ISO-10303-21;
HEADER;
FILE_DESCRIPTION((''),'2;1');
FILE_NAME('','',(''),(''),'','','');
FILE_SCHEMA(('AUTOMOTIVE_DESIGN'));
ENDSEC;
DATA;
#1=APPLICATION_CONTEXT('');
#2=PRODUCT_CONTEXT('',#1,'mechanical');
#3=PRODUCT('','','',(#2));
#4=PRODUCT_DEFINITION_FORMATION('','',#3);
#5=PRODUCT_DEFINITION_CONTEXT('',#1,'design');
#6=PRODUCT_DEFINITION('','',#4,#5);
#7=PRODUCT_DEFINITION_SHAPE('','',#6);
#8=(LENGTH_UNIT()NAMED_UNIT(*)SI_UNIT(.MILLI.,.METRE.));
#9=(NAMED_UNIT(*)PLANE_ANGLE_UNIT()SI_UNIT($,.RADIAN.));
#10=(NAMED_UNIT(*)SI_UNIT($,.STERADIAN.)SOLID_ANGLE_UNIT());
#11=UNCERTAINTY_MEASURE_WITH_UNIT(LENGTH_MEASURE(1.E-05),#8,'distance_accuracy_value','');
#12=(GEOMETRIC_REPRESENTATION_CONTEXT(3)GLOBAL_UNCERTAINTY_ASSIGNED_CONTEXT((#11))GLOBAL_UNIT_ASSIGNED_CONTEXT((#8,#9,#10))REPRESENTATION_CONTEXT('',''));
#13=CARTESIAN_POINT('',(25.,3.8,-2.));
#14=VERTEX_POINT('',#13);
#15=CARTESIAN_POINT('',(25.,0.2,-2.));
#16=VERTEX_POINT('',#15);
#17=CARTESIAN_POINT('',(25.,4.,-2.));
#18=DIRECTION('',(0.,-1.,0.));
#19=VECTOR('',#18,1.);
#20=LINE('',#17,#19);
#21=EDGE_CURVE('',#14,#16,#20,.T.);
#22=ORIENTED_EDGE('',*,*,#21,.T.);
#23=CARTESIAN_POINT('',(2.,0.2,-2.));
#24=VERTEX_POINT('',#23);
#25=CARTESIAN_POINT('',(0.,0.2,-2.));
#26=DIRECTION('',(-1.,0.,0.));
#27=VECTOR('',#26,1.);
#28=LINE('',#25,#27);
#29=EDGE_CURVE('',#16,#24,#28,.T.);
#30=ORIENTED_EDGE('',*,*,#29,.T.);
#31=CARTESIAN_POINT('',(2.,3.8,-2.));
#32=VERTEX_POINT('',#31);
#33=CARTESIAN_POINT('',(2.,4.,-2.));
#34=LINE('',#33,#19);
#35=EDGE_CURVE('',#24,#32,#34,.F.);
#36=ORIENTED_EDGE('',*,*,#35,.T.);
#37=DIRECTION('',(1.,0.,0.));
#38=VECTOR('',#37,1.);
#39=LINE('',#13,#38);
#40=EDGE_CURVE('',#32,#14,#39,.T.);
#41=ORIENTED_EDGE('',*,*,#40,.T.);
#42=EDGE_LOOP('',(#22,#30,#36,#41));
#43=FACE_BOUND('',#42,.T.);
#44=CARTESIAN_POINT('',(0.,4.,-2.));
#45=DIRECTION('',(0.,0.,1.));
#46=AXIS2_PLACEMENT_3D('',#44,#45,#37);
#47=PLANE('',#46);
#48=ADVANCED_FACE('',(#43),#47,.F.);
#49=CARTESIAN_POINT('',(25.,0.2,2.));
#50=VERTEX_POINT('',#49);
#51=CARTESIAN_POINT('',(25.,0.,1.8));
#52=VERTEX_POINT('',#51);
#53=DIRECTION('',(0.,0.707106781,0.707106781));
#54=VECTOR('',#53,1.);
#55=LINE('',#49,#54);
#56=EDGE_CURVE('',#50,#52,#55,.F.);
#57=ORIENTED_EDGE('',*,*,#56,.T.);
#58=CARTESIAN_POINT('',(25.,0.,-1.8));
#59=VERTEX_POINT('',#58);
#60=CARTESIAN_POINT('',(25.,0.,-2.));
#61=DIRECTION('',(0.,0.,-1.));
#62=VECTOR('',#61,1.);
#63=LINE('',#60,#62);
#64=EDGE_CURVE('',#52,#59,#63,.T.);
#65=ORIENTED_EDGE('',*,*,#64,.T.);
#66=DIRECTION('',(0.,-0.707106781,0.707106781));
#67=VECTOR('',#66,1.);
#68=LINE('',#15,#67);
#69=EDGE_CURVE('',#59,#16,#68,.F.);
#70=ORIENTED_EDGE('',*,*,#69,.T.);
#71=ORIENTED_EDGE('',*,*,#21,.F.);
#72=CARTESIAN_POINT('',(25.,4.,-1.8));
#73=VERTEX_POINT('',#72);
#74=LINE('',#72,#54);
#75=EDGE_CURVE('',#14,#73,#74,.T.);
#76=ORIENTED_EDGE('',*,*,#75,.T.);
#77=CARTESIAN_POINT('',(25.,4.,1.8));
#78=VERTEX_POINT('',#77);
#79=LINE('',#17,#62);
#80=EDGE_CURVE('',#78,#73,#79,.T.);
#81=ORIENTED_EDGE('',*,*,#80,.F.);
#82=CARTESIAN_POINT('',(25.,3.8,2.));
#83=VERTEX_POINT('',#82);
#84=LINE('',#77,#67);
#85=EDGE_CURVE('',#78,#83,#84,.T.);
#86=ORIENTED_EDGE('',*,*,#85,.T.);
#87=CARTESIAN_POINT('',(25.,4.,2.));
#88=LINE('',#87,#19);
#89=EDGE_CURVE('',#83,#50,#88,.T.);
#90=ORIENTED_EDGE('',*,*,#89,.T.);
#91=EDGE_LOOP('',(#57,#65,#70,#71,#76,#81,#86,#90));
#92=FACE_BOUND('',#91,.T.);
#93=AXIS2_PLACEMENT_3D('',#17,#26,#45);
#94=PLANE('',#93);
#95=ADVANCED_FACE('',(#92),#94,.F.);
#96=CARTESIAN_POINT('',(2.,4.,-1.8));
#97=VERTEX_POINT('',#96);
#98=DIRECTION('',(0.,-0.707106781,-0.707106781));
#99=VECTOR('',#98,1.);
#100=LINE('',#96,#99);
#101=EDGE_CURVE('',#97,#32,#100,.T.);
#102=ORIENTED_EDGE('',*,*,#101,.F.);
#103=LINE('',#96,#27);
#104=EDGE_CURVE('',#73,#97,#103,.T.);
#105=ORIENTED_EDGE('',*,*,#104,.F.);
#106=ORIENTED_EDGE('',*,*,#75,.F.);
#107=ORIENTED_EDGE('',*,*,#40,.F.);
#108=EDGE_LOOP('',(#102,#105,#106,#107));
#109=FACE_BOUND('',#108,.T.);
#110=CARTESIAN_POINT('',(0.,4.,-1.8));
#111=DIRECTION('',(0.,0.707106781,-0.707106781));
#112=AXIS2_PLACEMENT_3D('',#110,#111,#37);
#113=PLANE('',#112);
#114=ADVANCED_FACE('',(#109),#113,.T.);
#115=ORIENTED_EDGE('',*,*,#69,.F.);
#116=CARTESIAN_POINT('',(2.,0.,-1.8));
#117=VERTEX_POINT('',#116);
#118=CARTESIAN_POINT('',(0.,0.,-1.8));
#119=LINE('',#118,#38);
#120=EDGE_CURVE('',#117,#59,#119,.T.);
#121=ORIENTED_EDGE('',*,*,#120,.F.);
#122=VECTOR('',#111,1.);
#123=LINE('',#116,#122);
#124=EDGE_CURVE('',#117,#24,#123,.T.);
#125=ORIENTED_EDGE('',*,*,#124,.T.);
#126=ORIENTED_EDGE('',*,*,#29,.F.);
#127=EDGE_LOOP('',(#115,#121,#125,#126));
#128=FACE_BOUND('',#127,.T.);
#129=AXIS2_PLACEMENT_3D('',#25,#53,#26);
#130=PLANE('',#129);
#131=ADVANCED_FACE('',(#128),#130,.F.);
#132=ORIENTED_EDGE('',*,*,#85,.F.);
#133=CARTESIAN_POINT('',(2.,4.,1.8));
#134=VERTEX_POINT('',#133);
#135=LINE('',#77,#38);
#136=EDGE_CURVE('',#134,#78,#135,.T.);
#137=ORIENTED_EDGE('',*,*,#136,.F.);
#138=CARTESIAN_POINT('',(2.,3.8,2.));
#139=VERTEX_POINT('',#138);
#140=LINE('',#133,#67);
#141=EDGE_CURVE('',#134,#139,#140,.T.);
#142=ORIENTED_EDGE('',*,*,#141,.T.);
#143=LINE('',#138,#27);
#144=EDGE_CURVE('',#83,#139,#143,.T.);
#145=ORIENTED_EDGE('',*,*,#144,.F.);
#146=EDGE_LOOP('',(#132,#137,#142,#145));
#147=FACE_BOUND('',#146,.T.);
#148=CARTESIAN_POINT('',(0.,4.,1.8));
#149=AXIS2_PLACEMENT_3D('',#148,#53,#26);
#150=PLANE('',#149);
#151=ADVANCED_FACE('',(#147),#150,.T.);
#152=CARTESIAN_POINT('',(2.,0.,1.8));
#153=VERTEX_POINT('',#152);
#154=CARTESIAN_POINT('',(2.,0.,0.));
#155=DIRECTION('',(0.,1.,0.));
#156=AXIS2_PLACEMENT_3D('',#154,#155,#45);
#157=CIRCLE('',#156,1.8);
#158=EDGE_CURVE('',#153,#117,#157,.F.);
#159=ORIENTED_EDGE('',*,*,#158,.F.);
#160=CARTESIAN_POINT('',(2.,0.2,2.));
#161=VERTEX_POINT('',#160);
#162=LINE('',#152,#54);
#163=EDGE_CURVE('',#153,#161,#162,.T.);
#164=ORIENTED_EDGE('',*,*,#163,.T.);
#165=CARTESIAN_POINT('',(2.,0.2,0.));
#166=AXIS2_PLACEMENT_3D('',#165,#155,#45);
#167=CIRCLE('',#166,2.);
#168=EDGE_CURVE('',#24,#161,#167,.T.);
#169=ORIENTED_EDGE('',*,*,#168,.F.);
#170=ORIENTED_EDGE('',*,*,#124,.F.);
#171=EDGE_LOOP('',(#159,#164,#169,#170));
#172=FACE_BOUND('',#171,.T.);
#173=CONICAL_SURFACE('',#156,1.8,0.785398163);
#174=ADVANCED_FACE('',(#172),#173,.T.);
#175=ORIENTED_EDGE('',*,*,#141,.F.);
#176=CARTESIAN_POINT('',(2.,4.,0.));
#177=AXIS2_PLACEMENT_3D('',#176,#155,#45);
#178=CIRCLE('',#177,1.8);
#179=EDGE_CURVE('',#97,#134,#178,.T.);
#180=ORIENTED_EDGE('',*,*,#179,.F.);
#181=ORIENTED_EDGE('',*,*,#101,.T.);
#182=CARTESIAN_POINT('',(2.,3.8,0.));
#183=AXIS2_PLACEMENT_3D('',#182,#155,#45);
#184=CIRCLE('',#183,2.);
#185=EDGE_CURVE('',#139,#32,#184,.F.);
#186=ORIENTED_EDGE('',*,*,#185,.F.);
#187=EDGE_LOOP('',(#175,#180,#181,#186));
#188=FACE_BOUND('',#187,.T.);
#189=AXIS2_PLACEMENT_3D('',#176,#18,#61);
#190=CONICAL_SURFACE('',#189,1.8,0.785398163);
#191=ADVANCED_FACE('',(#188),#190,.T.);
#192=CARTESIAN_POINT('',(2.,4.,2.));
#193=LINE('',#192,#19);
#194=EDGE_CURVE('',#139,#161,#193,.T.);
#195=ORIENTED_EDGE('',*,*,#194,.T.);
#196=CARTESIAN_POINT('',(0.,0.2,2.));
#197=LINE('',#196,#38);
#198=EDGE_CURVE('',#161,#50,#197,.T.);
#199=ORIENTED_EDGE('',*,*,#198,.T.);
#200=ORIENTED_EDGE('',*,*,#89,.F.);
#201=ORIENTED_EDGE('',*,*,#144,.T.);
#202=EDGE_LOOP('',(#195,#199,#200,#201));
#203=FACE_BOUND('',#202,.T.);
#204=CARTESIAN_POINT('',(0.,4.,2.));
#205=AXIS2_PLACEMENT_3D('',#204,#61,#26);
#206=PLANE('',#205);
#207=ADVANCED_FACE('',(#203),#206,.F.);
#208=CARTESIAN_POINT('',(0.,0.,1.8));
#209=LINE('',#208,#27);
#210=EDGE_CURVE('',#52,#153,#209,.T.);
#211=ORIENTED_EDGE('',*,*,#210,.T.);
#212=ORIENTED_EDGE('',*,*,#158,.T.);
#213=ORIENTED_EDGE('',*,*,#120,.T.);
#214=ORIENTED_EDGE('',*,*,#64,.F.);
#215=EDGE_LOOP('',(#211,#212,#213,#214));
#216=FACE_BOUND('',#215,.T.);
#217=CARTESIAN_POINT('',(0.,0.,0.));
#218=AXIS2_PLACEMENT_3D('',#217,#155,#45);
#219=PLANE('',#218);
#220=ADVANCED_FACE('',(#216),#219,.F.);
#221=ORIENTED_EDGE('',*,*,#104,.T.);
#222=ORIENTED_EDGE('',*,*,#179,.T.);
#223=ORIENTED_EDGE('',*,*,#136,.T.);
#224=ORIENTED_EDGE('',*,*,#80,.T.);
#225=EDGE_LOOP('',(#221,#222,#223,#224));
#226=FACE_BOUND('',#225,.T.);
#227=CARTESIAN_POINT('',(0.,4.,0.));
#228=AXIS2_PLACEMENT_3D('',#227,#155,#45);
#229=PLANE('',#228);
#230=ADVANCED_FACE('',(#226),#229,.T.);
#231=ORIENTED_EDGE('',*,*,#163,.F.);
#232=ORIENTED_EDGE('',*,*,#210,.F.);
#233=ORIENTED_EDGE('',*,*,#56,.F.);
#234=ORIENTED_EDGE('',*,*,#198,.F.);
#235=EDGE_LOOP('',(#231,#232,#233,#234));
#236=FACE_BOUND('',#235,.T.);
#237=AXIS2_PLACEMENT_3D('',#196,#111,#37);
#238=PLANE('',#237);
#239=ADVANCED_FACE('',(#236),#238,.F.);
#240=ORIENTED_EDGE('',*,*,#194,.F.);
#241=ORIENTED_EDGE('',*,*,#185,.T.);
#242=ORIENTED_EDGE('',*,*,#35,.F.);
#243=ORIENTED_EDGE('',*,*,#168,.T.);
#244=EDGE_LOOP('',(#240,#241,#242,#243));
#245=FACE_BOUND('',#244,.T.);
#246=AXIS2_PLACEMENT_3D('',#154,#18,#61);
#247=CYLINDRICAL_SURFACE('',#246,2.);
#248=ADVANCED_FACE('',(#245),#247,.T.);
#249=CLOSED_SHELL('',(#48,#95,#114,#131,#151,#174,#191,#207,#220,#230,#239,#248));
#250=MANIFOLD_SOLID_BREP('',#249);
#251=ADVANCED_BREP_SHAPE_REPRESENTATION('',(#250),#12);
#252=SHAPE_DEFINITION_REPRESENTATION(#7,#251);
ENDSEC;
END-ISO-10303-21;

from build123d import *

# Parameters (mm, degrees)
SKETCH1_W           = 25
SKETCH1_H           = 4
BOSS_EXTRUDE1_DEPTH = 4
FILLET1_RADIUS      = 2
FILLET1_LENGTH      = 4
CHAMFER1_SIZE       = 0.2


with BuildPart() as part:
    # Sketch1 → Boss-Extrude1 (new body)
    with BuildSketch(Plane(origin=(0, 0, 0), x_dir=(1, 0, 0), z_dir=(0, 1, 0))):
        with Locations((12.5, 0)):
            Rectangle(SKETCH1_W, SKETCH1_H)
    extrude(amount=BOSS_EXTRUDE1_DEPTH)

    # Fillet1: full round fillet: the end face becomes a half cylinder, R = half its width
    fillet1_face = Plane((0, 2, 0), x_dir=(0, -1, 0), z_dir=(-1, 0, 0))  # on the end face: x along it, z out of the body
    fillet1_slab = fillet1_face.offset(-FILLET1_RADIUS / 2) * Box(FILLET1_LENGTH, 2 * FILLET1_RADIUS, FILLET1_RADIUS, mode=Mode.PRIVATE)  # the body's end, R deep
    fillet1_round = Plane((2, 2, 0), x_dir=(-1, 0, 0), z_dir=(0, -1, 0)) * Cylinder(FILLET1_RADIUS, FILLET1_LENGTH, mode=Mode.PRIVATE)  # its axis R under the face
    add(fillet1_slab - fillet1_round, mode=Mode.SUBTRACT)

    # Chamfer1
    chamfer1_edges = [part.edges().sort_by_distance(p)[0] for p in [
        (13.5, 4, -2),
        (13.5, 0, 2),
        (13.5, 4, 2),
        (0, 0, 0),
        (0, 4, 0),
        (13.5, 0, -2),
    ]]
    chamfer(chamfer1_edges, length=CHAMFER1_SIZE)


solid = part.part
